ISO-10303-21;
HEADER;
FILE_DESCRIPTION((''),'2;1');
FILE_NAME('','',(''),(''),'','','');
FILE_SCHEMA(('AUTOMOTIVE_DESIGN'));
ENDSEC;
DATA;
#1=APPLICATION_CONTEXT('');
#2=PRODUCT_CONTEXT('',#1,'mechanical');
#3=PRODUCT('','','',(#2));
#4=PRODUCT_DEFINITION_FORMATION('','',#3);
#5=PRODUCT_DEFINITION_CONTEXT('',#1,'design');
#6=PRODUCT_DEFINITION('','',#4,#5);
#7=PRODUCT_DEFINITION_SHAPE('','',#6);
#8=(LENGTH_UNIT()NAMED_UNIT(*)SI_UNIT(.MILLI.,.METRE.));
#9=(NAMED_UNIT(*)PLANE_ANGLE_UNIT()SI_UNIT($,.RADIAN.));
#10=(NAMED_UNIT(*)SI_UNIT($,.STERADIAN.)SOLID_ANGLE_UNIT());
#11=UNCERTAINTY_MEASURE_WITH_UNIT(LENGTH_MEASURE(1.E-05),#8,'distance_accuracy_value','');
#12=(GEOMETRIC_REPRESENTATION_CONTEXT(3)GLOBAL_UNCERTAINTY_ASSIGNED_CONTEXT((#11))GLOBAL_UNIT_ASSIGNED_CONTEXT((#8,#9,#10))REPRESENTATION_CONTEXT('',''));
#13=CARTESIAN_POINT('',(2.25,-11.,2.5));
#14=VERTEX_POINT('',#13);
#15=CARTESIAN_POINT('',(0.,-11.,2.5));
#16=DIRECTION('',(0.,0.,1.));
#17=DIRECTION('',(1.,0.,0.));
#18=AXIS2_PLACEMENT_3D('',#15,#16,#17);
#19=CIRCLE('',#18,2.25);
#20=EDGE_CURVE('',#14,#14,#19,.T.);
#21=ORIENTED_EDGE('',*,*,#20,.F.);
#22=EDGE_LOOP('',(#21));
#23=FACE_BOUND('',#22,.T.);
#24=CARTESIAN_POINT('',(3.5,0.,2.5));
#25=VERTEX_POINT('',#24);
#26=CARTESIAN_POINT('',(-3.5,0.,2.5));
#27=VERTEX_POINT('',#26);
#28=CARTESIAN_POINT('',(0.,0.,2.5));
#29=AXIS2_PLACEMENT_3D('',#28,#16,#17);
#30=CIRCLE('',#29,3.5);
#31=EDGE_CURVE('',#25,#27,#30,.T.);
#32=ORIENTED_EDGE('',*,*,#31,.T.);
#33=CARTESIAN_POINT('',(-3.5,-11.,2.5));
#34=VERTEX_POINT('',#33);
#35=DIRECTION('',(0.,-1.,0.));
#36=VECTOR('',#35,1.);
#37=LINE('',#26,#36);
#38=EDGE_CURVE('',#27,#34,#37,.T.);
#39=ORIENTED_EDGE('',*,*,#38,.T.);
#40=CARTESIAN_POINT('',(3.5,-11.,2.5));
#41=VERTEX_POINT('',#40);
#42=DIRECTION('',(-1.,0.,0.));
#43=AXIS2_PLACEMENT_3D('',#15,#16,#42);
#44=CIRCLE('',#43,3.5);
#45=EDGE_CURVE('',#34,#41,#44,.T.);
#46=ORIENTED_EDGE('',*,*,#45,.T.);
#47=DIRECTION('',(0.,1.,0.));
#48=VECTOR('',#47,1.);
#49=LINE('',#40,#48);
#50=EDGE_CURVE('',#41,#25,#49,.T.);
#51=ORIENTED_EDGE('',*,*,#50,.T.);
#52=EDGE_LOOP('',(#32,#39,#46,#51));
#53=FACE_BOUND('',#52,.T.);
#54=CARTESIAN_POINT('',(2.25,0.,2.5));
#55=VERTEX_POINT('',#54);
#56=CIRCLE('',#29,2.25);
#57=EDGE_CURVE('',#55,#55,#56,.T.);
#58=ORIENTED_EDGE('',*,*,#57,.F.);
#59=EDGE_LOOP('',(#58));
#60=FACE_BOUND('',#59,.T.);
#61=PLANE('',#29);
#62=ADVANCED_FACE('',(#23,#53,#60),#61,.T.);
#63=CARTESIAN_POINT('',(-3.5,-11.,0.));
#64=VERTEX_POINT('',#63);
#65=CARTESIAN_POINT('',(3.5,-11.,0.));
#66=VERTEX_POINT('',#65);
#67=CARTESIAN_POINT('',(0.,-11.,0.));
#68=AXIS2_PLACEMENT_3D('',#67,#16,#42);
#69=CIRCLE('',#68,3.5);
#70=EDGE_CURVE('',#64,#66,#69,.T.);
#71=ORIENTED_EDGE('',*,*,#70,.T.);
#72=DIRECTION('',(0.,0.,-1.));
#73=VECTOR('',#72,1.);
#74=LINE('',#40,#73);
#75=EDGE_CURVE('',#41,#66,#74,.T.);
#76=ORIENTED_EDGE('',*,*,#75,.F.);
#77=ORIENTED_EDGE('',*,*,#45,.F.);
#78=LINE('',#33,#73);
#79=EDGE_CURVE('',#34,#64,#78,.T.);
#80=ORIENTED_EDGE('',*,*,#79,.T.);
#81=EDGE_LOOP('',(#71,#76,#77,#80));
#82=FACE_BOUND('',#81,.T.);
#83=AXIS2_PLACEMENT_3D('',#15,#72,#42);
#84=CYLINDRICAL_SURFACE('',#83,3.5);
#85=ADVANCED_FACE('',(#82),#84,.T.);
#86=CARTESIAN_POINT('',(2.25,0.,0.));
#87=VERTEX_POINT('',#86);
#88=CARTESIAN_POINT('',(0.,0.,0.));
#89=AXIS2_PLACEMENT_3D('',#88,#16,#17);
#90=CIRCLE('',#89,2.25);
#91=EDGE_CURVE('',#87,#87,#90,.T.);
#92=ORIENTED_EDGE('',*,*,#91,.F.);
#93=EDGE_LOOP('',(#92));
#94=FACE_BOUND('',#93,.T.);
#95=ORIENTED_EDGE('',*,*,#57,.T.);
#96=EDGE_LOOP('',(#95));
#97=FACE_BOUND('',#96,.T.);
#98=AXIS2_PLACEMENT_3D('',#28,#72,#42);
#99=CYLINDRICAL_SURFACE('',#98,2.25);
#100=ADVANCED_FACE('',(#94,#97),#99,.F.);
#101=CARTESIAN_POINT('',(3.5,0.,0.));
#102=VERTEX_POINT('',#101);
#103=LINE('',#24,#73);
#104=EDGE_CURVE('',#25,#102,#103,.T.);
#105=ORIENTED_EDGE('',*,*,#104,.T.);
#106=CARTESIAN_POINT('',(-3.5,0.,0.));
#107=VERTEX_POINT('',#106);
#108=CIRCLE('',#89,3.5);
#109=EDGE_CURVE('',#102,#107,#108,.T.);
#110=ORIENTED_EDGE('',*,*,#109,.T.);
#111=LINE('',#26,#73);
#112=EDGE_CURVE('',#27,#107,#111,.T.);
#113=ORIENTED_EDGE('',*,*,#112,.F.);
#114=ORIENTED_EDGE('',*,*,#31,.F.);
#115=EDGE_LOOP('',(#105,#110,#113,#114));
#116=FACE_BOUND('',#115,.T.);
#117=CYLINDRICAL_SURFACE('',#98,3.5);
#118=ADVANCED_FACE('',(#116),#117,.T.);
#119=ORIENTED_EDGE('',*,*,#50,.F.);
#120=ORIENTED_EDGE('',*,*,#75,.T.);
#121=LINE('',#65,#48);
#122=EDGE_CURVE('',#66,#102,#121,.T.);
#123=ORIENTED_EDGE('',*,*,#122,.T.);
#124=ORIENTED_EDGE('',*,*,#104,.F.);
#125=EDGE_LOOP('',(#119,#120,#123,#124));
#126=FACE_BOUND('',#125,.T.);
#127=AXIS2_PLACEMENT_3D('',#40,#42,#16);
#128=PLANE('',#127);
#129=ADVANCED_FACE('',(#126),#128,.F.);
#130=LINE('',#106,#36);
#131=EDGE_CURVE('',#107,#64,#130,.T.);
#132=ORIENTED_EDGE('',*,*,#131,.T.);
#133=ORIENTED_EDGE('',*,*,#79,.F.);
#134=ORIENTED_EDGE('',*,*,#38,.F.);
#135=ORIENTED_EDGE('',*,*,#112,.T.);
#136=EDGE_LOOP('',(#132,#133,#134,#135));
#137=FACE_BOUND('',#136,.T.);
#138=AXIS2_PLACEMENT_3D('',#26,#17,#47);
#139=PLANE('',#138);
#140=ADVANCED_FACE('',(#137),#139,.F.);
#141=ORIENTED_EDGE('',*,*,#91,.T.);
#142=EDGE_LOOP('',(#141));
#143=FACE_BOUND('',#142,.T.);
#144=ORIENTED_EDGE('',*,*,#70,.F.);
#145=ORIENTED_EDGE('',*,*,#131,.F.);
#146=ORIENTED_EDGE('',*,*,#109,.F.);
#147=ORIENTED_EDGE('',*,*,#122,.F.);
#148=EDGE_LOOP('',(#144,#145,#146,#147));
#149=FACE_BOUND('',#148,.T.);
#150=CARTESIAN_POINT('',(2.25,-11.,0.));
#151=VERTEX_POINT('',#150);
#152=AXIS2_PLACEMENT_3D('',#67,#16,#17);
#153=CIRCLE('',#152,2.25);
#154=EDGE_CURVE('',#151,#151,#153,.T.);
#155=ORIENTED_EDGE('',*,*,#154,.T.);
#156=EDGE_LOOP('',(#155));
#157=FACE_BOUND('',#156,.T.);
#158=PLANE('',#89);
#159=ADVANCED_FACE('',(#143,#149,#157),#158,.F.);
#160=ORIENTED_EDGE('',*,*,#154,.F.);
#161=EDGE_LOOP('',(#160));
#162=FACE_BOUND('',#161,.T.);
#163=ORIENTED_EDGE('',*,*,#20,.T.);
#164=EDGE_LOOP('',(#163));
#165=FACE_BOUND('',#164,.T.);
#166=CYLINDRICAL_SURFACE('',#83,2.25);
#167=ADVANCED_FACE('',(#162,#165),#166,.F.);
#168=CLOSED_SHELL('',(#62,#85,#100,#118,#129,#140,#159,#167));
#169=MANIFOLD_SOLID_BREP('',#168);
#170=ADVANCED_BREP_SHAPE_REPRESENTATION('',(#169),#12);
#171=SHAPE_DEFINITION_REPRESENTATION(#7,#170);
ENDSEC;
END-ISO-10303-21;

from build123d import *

# Parameters (mm, degrees)
SKETCH2_R           = 2.25
BOSS_EXTRUDE1_DEPTH = 2.5


with BuildPart() as part:
    # Sketch2 → Boss-Extrude1 (new body)
    with BuildSketch(Plane.XY):
        with BuildLine():
            Line((-3.5, 0), (-3.5, -11))
            ThreePointArc((-3.5, -11), (0, -14.5), (3.5, -11))
            Line((3.5, -11), (3.5, 0))
            ThreePointArc((3.5, 0), (0, 3.5), (-3.5, 0))
        make_face()
        Circle(SKETCH2_R, mode=Mode.SUBTRACT)
        with Locations((0, -11)):
            Circle(SKETCH2_R, mode=Mode.SUBTRACT)
    extrude(amount=BOSS_EXTRUDE1_DEPTH)


solid = part.part
